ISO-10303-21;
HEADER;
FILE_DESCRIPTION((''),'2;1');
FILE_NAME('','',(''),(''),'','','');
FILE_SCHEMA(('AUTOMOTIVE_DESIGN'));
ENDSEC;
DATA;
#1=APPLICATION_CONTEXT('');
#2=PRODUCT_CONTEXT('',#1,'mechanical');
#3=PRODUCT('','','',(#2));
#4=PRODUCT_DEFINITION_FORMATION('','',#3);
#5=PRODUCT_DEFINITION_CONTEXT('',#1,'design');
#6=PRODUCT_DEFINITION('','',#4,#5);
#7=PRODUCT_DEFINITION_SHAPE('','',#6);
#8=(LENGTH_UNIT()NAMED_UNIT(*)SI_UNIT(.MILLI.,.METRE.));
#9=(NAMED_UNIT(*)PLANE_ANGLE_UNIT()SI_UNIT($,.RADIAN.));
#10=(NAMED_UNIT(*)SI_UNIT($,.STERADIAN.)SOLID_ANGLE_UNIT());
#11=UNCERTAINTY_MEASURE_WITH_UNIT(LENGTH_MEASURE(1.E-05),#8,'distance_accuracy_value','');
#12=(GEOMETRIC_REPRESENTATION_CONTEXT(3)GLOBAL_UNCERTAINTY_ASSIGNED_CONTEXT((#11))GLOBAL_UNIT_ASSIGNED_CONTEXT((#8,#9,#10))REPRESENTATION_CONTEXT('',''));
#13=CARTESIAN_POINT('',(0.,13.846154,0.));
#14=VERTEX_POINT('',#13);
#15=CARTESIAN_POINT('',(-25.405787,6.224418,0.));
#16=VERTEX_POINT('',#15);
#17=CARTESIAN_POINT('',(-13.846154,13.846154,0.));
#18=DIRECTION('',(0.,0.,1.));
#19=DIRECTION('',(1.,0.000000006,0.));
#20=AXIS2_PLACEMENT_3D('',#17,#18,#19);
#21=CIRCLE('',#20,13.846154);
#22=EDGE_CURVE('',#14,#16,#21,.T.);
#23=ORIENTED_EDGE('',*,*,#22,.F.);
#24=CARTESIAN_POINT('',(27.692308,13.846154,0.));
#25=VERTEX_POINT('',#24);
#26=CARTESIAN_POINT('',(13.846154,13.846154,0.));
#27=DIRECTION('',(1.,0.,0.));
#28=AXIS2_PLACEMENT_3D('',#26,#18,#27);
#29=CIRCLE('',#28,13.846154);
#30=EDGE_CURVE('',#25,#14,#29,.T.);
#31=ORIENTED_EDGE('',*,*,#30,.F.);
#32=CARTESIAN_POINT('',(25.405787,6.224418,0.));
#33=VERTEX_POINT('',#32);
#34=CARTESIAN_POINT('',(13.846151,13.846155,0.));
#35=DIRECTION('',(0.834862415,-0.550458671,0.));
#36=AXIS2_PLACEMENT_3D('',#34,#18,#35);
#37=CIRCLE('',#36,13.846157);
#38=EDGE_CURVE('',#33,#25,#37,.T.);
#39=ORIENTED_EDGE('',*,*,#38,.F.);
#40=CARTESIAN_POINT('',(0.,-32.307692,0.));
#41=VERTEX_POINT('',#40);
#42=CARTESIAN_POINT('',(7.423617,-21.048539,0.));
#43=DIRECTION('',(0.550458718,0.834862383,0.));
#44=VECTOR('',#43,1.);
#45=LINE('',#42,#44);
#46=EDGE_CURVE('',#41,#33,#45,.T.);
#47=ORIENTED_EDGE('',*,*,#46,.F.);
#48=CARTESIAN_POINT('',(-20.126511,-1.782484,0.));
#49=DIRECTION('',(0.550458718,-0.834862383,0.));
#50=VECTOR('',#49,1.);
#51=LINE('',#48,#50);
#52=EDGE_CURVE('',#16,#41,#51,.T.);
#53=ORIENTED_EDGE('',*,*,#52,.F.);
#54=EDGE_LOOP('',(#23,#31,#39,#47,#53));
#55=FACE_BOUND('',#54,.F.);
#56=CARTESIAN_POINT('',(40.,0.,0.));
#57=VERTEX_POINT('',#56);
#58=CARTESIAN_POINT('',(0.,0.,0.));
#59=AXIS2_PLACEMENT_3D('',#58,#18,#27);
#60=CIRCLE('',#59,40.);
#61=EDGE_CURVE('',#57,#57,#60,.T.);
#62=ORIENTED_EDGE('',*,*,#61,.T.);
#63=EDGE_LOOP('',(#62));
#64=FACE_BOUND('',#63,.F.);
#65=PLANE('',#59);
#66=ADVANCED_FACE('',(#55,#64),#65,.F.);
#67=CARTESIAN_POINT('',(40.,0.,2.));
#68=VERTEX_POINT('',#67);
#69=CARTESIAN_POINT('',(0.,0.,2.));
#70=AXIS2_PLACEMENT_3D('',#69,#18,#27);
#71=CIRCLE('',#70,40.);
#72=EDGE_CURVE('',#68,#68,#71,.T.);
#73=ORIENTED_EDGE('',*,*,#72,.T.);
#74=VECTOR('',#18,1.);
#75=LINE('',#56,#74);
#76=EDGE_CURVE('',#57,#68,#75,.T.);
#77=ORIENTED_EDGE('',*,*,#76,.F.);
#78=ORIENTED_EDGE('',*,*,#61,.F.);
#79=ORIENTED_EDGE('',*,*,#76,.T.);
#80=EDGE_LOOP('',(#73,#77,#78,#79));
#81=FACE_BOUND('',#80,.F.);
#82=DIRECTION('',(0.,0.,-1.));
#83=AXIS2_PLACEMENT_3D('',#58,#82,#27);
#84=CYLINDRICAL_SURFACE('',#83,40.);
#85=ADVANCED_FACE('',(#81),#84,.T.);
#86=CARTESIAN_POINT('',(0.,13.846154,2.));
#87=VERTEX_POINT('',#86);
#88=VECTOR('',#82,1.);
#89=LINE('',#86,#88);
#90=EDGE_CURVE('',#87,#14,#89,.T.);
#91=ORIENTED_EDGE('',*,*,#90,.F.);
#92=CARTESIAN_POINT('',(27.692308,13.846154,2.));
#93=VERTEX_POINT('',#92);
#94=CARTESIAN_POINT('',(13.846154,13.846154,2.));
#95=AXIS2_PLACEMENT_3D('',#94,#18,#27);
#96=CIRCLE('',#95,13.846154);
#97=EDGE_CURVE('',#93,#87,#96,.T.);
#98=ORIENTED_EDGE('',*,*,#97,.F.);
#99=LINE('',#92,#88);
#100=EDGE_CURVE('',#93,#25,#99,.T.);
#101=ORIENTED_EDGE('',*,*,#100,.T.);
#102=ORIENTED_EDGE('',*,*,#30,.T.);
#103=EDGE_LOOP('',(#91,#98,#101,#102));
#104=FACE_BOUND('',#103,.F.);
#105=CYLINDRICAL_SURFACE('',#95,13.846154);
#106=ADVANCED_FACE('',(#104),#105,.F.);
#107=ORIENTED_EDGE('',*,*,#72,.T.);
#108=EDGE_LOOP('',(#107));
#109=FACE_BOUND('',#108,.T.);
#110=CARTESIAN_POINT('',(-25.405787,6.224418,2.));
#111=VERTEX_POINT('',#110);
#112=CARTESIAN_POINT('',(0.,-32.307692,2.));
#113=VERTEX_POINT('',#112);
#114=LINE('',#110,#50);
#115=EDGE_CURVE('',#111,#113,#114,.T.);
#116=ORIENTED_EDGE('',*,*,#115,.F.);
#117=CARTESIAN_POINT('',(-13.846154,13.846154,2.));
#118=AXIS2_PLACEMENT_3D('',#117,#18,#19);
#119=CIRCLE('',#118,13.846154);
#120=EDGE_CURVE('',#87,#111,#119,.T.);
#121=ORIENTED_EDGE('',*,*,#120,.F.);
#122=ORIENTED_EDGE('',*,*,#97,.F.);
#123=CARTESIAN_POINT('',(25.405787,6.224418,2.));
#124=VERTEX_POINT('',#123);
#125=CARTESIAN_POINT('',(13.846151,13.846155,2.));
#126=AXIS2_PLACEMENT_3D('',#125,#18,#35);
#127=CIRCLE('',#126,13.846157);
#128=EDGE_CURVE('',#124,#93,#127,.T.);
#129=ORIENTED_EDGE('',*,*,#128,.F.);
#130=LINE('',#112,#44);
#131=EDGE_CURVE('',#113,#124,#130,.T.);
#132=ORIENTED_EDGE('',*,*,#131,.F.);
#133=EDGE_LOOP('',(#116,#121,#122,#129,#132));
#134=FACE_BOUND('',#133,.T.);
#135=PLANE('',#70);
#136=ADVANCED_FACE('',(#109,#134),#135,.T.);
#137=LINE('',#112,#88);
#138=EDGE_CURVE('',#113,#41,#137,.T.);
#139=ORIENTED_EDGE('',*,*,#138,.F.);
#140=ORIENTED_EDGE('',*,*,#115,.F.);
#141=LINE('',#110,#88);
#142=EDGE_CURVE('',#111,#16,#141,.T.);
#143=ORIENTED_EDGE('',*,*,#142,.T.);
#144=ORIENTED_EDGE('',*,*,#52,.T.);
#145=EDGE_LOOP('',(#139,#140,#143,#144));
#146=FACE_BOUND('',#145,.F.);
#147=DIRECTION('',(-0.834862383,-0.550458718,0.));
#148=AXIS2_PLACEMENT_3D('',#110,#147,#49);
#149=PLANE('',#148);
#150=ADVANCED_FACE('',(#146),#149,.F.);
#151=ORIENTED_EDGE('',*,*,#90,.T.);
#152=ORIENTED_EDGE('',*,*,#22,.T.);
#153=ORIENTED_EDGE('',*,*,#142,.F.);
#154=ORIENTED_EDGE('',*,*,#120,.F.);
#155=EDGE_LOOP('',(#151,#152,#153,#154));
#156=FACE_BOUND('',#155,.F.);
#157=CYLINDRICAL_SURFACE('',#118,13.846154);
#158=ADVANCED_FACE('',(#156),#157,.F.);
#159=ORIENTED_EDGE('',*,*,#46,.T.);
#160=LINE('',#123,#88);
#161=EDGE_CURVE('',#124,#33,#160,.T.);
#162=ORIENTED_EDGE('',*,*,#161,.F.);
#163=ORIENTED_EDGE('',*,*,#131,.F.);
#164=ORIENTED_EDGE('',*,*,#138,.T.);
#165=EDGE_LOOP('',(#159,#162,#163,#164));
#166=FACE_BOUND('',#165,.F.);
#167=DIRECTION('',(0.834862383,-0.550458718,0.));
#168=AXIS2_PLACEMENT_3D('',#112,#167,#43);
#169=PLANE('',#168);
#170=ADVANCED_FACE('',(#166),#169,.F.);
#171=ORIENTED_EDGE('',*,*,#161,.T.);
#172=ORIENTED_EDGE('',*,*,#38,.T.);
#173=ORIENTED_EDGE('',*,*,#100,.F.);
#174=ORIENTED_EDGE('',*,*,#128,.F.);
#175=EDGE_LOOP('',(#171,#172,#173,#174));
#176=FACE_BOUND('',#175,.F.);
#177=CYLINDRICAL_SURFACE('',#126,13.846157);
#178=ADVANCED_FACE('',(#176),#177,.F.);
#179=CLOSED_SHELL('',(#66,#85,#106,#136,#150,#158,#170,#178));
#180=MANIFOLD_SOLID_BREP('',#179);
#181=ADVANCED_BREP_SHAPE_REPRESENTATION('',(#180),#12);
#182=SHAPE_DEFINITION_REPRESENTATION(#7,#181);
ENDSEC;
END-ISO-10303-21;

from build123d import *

# Parameters (mm, degrees)
F0_R     = 40
F1_DEPTH = 2
F3_DEPTH = 25


with BuildPart() as f1:
    # F0 (on Top) → F1 (new body)
    with BuildSketch(Plane.XY):
        Circle(F0_R)
    extrude(amount=F1_DEPTH)

    # F2 (on face) → F3 (cut)
    with BuildSketch(Plane.XY.offset(2)):
        with BuildLine():
            ThreePointArc((-25.405787, 6.224418), (-9.867491, 0.583944), (0, 13.846154))
            ThreePointArc((0, 13.846154), (-17.824817, 27.108364), (-25.405787, 6.224418))
        make_face()
        with BuildLine():
            ThreePointArc((25.405787, 6.224418), (9.867491, 0.583944), (0, 13.846154))
            ThreePointArc((0, 13.846154), (-9.867491, 0.583944), (-25.405787, 6.224418))
            Line((-25.405787, 6.224418), (0, -32.307692))
            Line((0, -32.307692), (25.405787, 6.224418))
        make_face()
        with BuildLine():
            ThreePointArc((27.692308, 13.846154), (13.846154, 27.692308), (0, 13.846154))
            ThreePointArc((0, 13.846154), (9.867491, 0.583944), (25.405787, 6.224418))
            ThreePointArc((25.405787, 6.224418), (27.108364, 9.867491), (27.692308, 13.846154))
        make_face()
    extrude(amount=-F3_DEPTH, mode=Mode.SUBTRACT)


solid = f1.part
